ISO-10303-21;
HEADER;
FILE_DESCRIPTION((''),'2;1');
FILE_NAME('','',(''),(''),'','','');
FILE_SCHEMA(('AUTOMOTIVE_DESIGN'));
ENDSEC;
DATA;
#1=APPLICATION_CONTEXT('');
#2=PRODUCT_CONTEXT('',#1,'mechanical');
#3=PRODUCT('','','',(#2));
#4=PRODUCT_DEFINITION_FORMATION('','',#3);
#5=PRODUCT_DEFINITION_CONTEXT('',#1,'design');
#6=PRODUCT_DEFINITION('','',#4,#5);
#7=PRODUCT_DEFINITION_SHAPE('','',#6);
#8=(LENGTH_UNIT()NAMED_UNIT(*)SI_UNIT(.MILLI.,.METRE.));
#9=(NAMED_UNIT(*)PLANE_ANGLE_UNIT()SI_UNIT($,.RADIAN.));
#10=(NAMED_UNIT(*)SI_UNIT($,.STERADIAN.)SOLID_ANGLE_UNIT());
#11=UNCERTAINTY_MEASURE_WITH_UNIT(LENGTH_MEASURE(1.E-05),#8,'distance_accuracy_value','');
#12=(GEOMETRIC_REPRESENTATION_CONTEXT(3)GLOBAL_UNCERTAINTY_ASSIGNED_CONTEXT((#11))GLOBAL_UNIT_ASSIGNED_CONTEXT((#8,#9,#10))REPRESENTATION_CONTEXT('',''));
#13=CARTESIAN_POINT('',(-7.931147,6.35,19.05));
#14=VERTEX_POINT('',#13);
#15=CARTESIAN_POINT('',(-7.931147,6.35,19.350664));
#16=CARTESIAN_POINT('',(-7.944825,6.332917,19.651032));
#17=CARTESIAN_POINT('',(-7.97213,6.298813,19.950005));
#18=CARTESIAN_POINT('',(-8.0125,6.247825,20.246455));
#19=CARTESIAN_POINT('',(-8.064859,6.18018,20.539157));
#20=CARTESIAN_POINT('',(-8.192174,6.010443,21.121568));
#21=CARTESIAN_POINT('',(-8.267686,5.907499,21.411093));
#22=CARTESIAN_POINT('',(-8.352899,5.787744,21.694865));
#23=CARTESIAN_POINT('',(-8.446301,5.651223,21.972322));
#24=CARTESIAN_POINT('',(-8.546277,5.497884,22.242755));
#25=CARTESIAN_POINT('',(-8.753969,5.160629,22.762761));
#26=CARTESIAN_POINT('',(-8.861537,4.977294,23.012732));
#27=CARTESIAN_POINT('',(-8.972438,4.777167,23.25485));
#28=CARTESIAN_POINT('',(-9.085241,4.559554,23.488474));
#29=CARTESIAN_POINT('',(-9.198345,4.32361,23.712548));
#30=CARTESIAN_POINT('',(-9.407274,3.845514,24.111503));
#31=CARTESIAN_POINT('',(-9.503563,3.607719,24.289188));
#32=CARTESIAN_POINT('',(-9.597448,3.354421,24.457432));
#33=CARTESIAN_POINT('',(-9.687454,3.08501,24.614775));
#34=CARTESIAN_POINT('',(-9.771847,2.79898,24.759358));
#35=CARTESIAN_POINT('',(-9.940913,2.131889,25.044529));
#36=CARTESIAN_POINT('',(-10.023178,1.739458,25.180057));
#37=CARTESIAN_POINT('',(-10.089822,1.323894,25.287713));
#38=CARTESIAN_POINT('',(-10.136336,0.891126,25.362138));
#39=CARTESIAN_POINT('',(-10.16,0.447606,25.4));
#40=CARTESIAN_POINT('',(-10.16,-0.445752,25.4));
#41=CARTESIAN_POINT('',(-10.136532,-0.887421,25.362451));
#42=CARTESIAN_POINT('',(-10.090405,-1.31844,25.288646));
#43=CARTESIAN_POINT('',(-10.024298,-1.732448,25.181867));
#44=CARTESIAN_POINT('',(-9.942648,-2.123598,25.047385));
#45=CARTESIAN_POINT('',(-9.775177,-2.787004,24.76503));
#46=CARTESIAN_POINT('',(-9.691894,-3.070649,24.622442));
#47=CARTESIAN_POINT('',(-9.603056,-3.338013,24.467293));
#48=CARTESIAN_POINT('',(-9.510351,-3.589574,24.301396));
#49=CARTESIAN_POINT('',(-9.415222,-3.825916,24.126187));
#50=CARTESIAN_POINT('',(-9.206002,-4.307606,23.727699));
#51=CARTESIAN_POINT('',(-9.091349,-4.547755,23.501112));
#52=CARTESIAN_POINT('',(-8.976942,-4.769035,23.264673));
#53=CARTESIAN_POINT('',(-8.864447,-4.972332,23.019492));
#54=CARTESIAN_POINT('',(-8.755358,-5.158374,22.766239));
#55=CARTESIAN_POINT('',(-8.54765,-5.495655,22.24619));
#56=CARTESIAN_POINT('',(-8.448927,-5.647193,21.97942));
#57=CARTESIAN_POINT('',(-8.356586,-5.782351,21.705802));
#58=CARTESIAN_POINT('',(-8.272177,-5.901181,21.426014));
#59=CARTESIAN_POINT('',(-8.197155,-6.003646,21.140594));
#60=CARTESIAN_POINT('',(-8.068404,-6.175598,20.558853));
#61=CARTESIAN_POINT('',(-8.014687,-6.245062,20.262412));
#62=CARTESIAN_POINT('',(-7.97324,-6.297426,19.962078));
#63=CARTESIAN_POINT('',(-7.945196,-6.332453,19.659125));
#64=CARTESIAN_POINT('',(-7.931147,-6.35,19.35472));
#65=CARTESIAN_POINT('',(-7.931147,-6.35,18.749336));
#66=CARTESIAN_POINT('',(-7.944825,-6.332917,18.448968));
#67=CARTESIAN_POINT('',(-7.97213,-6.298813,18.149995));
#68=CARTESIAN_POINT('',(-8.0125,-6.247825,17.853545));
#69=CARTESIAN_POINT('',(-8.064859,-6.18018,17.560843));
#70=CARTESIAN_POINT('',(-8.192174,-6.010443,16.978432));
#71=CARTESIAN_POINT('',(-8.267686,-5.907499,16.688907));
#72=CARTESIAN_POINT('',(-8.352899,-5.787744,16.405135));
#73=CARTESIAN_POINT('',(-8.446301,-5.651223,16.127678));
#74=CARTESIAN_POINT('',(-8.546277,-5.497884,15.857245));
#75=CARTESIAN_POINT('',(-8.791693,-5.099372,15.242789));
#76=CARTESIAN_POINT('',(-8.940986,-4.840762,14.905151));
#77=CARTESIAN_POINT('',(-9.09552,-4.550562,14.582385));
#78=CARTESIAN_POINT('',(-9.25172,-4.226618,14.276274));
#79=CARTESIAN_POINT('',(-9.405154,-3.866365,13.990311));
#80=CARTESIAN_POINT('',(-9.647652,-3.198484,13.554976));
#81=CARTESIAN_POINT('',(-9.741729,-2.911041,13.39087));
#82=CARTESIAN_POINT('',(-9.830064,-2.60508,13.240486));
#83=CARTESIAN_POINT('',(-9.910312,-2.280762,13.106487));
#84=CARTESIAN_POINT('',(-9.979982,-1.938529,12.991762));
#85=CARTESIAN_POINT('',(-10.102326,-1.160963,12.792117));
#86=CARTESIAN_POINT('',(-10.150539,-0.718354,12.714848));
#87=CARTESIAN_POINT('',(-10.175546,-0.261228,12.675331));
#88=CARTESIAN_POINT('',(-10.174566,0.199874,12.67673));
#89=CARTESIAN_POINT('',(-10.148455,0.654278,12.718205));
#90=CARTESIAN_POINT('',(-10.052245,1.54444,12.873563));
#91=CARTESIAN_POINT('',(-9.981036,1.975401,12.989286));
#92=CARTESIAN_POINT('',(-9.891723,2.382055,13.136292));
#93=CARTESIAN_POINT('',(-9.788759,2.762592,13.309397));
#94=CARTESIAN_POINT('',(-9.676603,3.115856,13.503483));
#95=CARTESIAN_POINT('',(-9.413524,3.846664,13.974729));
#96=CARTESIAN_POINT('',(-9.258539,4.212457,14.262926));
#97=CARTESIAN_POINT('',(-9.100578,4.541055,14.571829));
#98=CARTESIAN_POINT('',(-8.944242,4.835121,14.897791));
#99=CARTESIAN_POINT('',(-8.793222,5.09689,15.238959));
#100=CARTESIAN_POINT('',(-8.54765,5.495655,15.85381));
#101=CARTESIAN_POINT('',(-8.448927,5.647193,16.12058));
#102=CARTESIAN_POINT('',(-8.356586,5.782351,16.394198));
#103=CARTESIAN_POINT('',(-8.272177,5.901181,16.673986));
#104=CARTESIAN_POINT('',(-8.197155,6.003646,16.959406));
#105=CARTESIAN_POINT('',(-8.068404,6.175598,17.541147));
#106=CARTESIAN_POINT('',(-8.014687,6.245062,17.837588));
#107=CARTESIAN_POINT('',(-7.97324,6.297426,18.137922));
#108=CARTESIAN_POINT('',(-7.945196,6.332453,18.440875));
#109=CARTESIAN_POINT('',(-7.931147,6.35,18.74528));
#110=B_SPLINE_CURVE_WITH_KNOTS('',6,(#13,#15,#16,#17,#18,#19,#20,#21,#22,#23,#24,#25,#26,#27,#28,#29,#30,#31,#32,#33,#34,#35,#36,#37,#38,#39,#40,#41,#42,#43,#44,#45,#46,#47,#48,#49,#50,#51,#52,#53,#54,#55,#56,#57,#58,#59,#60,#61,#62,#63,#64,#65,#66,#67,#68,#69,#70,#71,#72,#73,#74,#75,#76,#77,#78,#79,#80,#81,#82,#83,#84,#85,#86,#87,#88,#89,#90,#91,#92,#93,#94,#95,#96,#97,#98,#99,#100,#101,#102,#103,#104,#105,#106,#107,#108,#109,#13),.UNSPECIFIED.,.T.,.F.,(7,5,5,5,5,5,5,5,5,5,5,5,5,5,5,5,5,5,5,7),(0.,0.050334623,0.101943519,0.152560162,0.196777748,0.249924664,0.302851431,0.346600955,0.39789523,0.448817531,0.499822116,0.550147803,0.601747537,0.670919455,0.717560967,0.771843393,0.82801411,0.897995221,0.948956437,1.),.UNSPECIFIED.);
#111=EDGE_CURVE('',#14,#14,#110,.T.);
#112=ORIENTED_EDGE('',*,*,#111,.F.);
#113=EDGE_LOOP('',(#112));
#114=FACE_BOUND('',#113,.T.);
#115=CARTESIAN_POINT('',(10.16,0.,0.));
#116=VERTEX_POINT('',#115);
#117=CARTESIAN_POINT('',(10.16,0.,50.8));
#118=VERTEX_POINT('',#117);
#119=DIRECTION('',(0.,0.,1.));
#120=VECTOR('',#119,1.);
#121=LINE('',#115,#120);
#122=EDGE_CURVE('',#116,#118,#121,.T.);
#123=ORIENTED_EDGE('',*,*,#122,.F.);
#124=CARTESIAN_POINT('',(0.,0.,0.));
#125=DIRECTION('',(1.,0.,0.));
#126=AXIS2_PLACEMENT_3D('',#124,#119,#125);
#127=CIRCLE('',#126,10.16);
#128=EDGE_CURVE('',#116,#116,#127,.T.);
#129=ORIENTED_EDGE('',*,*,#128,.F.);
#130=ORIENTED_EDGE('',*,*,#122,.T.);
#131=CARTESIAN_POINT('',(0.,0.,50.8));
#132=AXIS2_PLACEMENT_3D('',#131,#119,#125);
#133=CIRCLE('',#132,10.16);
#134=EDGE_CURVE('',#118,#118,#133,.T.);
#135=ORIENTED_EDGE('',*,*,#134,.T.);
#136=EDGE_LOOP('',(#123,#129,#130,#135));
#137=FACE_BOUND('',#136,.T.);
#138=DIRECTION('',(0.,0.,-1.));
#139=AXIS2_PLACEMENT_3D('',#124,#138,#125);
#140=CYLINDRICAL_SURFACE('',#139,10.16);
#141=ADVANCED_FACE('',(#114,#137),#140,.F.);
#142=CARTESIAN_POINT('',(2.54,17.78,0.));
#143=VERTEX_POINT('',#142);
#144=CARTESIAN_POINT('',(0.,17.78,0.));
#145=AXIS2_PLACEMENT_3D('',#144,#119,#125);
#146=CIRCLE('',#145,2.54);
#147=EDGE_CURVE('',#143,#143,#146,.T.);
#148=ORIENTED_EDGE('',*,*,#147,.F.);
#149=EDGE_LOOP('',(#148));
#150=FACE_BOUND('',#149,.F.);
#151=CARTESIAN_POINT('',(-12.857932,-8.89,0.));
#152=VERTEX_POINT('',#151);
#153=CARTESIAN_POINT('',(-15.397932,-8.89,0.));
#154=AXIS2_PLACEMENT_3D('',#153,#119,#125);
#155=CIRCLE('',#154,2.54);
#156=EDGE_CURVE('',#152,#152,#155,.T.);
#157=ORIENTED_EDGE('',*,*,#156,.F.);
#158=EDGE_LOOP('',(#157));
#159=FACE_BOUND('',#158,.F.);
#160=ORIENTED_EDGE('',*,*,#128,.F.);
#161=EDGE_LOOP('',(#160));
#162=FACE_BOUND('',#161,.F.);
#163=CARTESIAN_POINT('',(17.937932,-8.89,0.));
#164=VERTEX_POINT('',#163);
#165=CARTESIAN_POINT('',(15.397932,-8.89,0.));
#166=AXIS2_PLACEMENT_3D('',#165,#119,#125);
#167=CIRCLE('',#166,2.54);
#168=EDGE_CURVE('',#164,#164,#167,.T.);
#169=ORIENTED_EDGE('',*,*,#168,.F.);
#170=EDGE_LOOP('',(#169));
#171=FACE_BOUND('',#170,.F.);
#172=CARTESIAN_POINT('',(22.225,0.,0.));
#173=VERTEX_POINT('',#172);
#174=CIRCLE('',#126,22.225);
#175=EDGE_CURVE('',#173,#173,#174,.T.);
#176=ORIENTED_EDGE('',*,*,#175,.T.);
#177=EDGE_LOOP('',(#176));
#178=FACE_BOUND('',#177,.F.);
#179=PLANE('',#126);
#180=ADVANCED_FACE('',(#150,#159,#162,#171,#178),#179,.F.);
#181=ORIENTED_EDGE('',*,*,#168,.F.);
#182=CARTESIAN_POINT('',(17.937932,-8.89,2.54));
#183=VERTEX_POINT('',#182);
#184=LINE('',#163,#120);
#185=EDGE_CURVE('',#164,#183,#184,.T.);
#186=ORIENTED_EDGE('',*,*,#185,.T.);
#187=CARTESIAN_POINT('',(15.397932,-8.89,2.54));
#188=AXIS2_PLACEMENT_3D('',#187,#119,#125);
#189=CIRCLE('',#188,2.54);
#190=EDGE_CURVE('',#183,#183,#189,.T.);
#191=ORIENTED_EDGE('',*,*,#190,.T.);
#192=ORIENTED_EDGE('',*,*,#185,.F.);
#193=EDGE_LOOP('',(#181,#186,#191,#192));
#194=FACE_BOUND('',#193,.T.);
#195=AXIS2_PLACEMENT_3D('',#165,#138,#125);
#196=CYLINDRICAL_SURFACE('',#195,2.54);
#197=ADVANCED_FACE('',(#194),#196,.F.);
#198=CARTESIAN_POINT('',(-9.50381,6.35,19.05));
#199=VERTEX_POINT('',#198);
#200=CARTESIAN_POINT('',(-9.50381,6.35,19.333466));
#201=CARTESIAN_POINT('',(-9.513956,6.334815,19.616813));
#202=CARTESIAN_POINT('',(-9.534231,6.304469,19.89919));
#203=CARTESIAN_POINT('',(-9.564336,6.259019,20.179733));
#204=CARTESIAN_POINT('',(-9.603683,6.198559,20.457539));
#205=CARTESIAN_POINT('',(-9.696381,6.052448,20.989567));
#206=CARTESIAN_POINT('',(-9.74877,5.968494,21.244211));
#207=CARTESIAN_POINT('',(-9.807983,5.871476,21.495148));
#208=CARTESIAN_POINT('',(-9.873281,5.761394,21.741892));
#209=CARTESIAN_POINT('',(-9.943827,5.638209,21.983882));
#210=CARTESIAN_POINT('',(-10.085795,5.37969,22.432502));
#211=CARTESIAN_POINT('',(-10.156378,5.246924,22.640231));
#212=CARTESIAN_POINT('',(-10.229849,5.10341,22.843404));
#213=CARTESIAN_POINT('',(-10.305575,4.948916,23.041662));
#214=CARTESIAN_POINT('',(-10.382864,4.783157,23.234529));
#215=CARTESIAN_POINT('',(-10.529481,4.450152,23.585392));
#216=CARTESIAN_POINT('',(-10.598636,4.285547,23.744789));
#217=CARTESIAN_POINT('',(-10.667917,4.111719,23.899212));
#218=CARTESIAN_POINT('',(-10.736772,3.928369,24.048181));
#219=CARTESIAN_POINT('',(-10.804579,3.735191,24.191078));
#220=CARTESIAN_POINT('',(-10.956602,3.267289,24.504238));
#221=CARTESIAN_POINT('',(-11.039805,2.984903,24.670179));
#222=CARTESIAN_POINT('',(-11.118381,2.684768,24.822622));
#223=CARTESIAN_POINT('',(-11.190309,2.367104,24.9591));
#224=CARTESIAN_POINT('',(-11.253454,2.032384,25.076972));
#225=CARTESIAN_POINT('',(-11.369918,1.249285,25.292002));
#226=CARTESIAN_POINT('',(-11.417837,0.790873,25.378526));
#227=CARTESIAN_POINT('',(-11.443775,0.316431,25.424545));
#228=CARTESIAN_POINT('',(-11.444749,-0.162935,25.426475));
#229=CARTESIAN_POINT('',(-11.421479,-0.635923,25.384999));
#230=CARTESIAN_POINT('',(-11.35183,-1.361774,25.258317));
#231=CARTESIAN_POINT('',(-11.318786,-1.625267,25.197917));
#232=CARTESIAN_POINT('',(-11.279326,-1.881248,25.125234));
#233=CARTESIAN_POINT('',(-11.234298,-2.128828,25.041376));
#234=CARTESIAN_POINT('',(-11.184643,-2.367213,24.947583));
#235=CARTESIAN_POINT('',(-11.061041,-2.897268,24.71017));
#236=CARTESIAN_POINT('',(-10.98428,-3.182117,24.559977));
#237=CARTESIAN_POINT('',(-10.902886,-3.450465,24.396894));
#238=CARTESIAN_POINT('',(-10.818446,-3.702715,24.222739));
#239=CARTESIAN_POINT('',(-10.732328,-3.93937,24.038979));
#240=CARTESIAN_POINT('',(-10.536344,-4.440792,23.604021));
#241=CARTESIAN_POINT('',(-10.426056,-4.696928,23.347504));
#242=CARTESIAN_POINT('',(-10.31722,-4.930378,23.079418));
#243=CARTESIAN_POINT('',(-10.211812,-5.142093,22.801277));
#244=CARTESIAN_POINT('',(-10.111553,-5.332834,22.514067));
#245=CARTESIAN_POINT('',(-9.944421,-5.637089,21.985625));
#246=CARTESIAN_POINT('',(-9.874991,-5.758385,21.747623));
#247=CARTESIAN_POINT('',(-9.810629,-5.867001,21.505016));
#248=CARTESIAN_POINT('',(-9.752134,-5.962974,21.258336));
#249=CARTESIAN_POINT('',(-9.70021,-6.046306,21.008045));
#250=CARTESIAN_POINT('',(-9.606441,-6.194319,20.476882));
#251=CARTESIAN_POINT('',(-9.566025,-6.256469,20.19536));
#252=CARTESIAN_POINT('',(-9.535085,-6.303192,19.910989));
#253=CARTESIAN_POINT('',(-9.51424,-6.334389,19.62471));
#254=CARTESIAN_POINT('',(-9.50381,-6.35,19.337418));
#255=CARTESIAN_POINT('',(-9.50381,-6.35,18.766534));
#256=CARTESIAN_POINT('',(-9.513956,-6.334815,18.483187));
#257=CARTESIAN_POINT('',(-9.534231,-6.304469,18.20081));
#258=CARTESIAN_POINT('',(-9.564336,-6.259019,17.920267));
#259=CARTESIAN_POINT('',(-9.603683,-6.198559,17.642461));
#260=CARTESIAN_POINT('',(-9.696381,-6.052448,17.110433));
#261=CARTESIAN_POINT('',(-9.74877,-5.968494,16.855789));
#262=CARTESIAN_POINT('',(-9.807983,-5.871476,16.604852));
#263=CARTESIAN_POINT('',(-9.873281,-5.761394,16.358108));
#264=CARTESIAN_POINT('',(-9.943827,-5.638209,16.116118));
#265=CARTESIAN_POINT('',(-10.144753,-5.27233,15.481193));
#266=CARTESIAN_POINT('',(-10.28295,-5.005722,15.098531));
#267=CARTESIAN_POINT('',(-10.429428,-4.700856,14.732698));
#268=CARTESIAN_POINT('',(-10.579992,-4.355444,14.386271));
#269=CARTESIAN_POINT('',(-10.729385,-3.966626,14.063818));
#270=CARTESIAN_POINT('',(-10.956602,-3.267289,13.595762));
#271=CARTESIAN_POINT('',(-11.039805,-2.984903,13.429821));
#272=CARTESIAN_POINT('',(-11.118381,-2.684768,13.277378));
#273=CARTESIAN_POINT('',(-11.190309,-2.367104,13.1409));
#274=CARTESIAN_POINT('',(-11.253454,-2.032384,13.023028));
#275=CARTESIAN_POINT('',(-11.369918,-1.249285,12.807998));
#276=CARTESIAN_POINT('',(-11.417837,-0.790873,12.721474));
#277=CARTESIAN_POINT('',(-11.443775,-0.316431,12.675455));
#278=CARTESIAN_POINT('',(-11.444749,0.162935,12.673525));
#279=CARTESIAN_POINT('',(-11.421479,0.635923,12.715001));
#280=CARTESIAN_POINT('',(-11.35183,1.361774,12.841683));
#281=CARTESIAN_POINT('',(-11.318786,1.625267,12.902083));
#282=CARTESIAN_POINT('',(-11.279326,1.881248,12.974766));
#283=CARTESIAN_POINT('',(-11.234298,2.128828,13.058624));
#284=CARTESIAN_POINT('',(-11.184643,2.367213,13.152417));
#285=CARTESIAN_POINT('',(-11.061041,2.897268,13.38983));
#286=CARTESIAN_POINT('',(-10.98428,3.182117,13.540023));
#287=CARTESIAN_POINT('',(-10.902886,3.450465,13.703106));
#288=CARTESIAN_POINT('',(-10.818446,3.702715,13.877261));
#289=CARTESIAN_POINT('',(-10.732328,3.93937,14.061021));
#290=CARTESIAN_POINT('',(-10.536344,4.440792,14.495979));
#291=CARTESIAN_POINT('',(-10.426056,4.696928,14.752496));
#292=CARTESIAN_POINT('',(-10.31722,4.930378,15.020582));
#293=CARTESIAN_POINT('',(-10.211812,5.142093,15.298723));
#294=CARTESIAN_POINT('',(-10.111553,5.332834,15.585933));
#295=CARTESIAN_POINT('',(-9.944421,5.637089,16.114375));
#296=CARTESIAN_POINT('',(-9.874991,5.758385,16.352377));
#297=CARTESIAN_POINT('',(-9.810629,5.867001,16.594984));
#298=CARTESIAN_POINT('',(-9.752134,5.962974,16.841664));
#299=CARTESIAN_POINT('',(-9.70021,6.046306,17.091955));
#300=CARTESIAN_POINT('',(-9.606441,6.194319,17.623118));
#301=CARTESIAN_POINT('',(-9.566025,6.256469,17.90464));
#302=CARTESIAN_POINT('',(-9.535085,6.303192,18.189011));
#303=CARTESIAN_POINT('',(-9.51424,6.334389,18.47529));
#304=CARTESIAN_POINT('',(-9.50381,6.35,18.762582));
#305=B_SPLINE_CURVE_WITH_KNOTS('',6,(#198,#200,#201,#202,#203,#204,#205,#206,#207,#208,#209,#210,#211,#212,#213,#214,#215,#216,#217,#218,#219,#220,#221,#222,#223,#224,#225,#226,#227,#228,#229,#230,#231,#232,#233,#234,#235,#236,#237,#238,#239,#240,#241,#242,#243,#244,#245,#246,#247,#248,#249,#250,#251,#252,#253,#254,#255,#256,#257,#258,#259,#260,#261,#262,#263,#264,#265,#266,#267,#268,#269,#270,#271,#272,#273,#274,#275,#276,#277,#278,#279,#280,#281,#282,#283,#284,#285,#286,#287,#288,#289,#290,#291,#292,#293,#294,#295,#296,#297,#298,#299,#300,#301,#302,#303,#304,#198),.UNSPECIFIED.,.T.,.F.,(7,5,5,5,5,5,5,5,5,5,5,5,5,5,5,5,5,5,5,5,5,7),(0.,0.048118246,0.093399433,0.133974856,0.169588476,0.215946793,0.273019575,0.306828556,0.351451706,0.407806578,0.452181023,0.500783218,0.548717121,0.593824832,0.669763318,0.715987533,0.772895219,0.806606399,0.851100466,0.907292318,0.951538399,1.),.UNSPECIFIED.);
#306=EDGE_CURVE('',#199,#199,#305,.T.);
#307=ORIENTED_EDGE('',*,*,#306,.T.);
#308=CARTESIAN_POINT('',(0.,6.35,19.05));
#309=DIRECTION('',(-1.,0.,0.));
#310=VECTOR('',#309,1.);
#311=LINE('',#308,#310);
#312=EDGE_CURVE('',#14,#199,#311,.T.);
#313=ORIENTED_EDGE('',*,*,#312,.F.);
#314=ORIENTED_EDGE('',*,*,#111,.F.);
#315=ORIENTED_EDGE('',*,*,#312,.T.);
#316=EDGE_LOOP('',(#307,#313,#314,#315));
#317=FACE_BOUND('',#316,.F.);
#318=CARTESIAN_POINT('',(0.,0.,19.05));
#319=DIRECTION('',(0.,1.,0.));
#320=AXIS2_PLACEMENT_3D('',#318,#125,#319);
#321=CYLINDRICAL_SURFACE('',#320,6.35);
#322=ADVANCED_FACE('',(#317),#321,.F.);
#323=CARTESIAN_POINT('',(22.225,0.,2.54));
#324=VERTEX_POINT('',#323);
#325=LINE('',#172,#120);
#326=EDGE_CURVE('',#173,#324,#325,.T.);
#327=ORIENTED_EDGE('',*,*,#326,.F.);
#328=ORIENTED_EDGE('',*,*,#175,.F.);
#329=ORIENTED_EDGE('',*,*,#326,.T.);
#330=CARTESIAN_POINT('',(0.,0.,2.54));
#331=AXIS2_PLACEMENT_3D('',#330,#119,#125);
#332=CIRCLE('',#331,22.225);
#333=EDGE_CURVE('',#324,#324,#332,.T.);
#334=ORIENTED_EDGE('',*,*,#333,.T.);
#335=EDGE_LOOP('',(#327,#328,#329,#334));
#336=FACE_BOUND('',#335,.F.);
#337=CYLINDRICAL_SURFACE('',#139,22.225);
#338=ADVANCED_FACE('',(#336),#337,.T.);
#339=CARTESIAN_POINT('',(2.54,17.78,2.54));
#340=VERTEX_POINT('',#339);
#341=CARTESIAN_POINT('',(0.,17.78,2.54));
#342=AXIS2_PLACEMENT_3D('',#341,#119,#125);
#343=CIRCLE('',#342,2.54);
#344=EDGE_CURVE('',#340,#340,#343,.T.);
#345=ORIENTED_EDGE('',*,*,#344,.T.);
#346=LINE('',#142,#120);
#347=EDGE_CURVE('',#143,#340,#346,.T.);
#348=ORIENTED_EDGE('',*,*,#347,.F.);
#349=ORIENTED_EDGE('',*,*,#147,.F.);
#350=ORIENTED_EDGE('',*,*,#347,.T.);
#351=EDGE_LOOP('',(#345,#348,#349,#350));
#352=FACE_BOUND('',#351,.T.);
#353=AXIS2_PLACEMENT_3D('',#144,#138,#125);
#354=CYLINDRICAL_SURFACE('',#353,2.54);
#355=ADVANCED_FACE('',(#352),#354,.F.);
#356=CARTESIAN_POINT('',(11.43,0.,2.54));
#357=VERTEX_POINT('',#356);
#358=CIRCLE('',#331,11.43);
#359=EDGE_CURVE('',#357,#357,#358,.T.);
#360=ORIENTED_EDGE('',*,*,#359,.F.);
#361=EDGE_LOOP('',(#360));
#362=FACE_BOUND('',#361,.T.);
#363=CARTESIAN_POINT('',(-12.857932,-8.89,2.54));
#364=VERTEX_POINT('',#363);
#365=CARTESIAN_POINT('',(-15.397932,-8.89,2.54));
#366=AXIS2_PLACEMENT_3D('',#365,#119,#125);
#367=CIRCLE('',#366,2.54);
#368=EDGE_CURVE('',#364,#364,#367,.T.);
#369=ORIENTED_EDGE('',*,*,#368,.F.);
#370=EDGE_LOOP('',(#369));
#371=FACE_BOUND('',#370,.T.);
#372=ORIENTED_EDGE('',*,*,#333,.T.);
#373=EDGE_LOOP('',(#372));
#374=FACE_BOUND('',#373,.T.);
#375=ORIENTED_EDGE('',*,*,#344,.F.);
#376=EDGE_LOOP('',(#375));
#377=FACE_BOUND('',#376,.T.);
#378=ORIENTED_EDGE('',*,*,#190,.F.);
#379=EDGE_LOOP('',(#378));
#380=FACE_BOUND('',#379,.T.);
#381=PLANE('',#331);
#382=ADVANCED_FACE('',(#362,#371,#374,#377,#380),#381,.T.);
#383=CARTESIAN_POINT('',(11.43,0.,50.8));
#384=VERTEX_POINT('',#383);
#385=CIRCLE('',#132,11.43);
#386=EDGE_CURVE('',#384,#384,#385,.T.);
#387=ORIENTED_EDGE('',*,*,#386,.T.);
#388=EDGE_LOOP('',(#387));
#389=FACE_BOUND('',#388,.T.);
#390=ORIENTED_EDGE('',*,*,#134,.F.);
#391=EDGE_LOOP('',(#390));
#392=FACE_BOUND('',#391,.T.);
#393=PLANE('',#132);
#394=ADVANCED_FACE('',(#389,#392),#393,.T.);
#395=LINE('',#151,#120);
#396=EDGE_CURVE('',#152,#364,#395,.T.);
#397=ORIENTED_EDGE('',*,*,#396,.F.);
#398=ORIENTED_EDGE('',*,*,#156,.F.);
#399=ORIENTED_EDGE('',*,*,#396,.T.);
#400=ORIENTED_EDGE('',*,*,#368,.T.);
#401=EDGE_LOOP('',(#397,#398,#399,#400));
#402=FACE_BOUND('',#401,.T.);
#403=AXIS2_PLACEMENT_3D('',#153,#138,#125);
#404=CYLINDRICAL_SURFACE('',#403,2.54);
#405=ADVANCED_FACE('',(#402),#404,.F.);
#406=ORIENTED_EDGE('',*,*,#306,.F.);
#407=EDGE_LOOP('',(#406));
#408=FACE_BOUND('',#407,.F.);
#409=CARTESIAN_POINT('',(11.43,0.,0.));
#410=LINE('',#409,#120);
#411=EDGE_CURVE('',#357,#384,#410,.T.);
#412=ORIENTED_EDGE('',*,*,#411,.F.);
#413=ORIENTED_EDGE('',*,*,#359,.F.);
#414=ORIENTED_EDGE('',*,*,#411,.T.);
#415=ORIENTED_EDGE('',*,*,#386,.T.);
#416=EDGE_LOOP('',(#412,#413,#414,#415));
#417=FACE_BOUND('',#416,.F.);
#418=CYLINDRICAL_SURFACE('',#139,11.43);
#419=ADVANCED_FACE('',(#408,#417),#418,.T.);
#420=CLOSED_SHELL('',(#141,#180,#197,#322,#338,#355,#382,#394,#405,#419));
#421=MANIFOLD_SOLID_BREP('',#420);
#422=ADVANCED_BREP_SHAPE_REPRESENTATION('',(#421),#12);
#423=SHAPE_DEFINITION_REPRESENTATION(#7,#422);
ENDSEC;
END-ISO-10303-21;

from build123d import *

# Parameters (mm, degrees)
F0_R     = 11.43
F0_R_2   = 10.16
F1_DEPTH = 50.8
F0_R_3   = 22.225
F0_R_4   = 2.54
F2_DEPTH = 2.54
F3_R     = 6.35
F4_DEPTH = 12.7


with BuildPart() as f1:
    # F0 (on Top) → F1 (new body)
    with BuildSketch(Plane.XY):
        Circle(F0_R)
        Circle(F0_R_2, mode=Mode.SUBTRACT)
    extrude(amount=F1_DEPTH)

    # F0 (on Top) → F2 (join)
    with BuildSketch(Plane.XY):
        Circle(F0_R_3)
        with Locations((-15.397932, -8.89)):
            Circle(F0_R_4, mode=Mode.SUBTRACT)
        with Locations((15.397932, -8.89)):
            Circle(F0_R_4, mode=Mode.SUBTRACT)
        Circle(F0_R, mode=Mode.SUBTRACT)
        with Locations((0, 17.78)):
            Circle(F0_R_4, mode=Mode.SUBTRACT)
    extrude(amount=F2_DEPTH)

    # F3 (on Right) → F4 (cut)
    with BuildSketch(Plane.YZ):
        with Locations((0, 19.05)):
            Circle(F3_R)
    extrude(amount=-F4_DEPTH, mode=Mode.SUBTRACT)


solid = f1.part
